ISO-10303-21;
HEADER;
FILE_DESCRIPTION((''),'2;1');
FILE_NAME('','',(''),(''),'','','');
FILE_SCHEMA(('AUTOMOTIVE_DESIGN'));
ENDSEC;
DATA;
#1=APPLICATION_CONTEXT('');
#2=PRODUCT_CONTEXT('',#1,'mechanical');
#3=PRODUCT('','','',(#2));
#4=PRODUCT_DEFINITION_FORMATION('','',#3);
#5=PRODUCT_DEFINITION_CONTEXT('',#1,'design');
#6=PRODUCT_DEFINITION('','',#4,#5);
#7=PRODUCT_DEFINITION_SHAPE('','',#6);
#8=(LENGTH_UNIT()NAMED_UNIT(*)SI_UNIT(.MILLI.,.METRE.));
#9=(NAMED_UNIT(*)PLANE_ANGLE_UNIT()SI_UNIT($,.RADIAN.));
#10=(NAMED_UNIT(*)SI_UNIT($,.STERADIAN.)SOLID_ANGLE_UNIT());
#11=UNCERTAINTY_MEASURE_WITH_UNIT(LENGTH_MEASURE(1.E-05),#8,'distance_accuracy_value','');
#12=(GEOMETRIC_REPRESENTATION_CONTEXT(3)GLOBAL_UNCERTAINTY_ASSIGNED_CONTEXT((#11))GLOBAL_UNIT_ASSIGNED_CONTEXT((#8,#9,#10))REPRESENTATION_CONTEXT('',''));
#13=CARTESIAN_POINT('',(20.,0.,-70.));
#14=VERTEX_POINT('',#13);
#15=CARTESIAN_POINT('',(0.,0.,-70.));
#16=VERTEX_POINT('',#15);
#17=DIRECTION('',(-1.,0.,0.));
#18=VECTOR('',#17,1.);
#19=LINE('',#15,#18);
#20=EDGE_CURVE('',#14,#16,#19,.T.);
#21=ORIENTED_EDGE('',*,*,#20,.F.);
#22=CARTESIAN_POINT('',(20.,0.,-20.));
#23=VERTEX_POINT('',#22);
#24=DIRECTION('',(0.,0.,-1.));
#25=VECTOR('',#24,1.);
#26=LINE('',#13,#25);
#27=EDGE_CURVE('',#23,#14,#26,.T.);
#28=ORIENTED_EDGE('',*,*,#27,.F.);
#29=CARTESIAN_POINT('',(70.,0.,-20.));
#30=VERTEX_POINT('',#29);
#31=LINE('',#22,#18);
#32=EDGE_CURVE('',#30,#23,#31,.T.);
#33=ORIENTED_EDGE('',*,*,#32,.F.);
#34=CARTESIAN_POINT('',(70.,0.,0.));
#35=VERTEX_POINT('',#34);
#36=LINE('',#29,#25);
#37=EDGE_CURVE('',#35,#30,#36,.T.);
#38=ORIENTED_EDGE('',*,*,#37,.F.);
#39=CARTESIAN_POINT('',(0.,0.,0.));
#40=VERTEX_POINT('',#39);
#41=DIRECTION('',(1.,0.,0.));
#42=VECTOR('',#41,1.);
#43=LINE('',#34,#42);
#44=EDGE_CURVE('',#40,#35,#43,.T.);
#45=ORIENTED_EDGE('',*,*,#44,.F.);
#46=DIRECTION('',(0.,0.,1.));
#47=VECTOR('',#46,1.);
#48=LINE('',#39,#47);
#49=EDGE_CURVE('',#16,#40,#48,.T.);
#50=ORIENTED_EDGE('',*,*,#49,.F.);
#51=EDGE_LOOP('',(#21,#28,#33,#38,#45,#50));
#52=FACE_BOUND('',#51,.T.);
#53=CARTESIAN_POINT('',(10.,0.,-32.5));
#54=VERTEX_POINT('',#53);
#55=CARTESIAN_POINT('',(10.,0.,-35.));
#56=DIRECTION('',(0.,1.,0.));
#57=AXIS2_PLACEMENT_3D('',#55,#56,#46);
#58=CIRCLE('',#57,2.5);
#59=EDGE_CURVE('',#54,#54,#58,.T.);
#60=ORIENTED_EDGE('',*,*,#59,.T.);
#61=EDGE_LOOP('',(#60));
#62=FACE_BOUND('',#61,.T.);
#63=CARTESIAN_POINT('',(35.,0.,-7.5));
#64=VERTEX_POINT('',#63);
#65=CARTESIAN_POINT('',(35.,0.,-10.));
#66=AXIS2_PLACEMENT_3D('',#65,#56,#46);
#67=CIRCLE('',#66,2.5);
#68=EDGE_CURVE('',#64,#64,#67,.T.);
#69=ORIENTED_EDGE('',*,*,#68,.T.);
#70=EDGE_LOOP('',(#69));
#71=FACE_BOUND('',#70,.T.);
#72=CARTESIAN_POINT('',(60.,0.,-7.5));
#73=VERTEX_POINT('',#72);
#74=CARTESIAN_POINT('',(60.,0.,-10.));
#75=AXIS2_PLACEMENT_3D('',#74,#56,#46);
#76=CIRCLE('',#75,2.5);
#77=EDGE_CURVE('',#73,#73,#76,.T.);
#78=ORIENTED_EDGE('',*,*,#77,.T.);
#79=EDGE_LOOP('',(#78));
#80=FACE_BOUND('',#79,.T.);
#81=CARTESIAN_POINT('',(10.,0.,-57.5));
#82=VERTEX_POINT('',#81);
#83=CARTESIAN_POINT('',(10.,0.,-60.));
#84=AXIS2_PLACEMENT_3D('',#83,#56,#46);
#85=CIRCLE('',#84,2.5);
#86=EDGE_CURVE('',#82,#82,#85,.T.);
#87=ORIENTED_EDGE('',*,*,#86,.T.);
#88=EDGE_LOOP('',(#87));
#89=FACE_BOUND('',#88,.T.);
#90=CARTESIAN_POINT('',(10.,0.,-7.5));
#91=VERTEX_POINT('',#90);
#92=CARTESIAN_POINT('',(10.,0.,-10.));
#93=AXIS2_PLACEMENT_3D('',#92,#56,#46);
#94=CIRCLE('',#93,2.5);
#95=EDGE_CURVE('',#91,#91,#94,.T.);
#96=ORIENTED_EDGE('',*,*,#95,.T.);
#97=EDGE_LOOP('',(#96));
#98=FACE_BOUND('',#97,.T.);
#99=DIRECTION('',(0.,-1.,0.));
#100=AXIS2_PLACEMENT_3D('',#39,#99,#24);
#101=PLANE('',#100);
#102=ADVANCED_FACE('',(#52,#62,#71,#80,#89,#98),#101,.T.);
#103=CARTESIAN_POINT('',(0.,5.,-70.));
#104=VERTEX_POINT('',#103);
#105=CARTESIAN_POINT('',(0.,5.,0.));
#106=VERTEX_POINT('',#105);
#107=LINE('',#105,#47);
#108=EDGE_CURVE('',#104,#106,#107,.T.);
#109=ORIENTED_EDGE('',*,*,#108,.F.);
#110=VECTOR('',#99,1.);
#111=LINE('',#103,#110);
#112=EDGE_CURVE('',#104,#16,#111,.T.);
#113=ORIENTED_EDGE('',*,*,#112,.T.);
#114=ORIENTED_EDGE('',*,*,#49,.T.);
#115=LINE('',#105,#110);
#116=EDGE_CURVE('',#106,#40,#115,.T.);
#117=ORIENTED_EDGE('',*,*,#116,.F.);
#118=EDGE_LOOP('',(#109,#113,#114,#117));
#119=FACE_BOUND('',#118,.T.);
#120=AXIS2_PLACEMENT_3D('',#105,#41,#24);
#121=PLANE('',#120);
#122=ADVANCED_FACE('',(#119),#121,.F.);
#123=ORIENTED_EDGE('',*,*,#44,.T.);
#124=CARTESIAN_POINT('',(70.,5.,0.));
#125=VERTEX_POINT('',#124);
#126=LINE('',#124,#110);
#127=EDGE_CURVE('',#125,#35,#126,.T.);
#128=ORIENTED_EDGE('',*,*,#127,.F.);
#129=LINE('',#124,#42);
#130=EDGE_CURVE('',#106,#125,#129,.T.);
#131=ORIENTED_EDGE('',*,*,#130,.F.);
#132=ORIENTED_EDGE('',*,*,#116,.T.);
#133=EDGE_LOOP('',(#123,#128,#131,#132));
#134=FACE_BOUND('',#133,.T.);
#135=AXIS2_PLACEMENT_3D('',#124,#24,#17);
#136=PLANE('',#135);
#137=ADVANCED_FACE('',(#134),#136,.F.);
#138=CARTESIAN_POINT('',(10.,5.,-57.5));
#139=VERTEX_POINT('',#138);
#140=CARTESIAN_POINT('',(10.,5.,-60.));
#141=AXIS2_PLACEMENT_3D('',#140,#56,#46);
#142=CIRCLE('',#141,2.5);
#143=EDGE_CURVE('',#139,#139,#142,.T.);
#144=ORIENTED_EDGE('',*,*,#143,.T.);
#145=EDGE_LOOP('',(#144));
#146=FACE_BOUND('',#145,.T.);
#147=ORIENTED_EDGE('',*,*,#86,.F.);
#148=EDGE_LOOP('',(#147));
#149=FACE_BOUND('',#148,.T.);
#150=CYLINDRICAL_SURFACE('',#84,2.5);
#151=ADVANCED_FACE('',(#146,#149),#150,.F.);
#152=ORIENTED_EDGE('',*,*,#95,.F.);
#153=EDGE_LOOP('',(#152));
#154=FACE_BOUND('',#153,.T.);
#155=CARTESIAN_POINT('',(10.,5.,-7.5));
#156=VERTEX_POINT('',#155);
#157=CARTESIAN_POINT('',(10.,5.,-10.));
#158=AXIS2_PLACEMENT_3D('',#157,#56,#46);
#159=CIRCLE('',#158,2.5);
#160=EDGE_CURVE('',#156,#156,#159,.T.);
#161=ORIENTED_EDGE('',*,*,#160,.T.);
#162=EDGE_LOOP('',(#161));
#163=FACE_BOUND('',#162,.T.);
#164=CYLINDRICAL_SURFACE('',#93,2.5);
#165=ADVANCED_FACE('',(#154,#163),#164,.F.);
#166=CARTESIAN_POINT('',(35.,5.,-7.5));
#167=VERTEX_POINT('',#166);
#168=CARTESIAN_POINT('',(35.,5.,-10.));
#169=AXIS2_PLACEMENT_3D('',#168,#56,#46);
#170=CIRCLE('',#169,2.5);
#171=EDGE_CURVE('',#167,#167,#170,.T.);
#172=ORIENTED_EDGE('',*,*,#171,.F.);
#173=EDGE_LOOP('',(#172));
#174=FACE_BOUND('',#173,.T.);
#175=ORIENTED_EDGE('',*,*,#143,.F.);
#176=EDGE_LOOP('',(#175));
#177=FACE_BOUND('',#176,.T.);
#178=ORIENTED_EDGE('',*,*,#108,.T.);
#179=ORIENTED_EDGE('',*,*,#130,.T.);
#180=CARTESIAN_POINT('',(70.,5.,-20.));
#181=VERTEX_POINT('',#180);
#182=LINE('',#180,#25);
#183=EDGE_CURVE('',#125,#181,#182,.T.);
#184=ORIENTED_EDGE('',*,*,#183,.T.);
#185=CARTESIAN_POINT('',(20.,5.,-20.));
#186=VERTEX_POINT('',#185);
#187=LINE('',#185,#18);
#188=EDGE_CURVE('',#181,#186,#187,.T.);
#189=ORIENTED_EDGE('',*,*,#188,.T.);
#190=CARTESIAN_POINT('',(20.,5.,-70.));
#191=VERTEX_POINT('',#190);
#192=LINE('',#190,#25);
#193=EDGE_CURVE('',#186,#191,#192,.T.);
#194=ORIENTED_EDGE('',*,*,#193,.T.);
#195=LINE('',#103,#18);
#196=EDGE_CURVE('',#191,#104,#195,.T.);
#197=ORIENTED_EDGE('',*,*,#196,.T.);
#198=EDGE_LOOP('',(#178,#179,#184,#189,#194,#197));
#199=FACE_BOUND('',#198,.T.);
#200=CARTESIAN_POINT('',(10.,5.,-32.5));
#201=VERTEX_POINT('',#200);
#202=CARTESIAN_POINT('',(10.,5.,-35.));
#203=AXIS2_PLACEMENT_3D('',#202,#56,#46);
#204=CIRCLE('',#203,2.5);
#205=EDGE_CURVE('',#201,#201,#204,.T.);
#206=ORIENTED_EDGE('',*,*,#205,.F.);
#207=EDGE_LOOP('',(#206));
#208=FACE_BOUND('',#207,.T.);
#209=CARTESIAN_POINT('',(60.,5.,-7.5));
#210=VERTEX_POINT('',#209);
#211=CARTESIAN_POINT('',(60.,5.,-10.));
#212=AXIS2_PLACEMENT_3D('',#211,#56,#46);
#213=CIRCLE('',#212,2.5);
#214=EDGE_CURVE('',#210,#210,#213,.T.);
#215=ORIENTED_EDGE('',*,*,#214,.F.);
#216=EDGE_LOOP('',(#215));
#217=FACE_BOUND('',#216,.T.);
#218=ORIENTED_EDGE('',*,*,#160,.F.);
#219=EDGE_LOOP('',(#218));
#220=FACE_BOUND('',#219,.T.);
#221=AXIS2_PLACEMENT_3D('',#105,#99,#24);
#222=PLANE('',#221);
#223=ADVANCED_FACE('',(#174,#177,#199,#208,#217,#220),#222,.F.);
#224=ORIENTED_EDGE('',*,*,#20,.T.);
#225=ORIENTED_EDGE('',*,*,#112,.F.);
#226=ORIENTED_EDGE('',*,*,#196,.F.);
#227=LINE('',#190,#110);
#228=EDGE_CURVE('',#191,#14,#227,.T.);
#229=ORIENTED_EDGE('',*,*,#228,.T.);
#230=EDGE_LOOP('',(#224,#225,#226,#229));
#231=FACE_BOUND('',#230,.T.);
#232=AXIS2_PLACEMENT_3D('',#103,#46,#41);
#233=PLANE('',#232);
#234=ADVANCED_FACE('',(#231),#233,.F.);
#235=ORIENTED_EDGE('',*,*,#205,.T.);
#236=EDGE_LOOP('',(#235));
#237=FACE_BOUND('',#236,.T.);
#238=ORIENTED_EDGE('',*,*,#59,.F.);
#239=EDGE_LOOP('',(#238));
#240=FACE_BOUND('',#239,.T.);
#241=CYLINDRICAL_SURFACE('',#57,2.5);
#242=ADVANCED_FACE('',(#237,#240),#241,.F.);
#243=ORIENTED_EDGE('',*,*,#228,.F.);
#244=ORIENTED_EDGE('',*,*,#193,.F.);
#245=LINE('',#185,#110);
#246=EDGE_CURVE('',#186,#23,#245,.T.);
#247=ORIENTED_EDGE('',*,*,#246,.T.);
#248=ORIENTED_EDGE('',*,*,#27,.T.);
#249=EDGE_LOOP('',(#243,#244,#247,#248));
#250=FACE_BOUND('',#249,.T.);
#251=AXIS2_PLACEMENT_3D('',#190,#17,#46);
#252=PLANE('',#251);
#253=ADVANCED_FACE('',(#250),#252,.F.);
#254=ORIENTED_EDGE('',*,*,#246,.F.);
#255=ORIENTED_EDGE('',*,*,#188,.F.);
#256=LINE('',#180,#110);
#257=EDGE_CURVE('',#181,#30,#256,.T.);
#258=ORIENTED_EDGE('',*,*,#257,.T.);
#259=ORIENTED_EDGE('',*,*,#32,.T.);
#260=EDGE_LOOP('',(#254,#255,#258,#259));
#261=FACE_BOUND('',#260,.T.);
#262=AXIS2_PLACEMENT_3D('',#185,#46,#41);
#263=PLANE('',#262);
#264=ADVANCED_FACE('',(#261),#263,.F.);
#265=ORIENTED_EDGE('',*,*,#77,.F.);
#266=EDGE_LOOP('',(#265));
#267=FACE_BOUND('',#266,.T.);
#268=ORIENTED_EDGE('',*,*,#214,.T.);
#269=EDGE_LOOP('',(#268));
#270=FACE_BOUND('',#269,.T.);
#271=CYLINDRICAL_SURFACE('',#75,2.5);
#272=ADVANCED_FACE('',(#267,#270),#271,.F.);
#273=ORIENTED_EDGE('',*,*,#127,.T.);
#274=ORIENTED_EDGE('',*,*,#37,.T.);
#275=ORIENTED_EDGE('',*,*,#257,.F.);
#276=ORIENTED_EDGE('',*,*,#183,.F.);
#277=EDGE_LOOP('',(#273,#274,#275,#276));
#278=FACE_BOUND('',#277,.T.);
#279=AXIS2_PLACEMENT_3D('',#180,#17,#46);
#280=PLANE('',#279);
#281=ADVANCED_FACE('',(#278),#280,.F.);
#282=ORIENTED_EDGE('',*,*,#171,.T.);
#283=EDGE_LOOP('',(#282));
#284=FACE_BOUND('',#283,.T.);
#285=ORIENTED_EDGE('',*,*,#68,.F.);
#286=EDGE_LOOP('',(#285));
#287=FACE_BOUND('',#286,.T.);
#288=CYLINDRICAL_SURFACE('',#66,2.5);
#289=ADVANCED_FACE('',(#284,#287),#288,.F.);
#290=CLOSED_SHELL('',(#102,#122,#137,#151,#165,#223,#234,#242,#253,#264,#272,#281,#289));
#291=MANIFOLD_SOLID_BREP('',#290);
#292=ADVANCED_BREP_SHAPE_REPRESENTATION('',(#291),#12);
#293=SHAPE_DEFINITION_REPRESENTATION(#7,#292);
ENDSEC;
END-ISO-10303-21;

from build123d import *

# Parameters (mm, degrees)
EXTRUDE_1_DEPTH     = 5
SKETCH_2_R          = 2.5
CUT_EXTRUDE_1_DEPTH = 100.121138008


with BuildPart() as part:
    # 스케치1 → 보스-돌출1 (new body)
    with BuildSketch(Plane(origin=(0, 0, 0), x_dir=(1, 0, 0), z_dir=(0, 1, 0))):
        Polygon((0, 0), (0, 70), (20, 70), (20, 20), (70, 20), (70, 0), align=None)
    extrude(amount=EXTRUDE_1_DEPTH)

    # 스케치2 → 컷-돌출1 (cut, through all)
    with BuildSketch(Plane(origin=(0, 5, 0), x_dir=(1, 0, 0), z_dir=(0, 1, 0))):
        with Locations(Location((10, 60, 0), (0, 0, 270))):
            Circle(SKETCH_2_R)
        with Locations(Location((10, 35, 0), (0, 0, 270))):
            Circle(SKETCH_2_R)
        with Locations(Location((10, 10, 0), (0, 0, 270))):
            Circle(SKETCH_2_R)
        with Locations(Location((35, 10, 0), (0, 0, 270))):
            Circle(SKETCH_2_R)
        with Locations(Location((60, 10, 0), (0, 0, 270))):
            Circle(SKETCH_2_R)
    extrude(amount=-CUT_EXTRUDE_1_DEPTH, mode=Mode.SUBTRACT)


solid = part.part
